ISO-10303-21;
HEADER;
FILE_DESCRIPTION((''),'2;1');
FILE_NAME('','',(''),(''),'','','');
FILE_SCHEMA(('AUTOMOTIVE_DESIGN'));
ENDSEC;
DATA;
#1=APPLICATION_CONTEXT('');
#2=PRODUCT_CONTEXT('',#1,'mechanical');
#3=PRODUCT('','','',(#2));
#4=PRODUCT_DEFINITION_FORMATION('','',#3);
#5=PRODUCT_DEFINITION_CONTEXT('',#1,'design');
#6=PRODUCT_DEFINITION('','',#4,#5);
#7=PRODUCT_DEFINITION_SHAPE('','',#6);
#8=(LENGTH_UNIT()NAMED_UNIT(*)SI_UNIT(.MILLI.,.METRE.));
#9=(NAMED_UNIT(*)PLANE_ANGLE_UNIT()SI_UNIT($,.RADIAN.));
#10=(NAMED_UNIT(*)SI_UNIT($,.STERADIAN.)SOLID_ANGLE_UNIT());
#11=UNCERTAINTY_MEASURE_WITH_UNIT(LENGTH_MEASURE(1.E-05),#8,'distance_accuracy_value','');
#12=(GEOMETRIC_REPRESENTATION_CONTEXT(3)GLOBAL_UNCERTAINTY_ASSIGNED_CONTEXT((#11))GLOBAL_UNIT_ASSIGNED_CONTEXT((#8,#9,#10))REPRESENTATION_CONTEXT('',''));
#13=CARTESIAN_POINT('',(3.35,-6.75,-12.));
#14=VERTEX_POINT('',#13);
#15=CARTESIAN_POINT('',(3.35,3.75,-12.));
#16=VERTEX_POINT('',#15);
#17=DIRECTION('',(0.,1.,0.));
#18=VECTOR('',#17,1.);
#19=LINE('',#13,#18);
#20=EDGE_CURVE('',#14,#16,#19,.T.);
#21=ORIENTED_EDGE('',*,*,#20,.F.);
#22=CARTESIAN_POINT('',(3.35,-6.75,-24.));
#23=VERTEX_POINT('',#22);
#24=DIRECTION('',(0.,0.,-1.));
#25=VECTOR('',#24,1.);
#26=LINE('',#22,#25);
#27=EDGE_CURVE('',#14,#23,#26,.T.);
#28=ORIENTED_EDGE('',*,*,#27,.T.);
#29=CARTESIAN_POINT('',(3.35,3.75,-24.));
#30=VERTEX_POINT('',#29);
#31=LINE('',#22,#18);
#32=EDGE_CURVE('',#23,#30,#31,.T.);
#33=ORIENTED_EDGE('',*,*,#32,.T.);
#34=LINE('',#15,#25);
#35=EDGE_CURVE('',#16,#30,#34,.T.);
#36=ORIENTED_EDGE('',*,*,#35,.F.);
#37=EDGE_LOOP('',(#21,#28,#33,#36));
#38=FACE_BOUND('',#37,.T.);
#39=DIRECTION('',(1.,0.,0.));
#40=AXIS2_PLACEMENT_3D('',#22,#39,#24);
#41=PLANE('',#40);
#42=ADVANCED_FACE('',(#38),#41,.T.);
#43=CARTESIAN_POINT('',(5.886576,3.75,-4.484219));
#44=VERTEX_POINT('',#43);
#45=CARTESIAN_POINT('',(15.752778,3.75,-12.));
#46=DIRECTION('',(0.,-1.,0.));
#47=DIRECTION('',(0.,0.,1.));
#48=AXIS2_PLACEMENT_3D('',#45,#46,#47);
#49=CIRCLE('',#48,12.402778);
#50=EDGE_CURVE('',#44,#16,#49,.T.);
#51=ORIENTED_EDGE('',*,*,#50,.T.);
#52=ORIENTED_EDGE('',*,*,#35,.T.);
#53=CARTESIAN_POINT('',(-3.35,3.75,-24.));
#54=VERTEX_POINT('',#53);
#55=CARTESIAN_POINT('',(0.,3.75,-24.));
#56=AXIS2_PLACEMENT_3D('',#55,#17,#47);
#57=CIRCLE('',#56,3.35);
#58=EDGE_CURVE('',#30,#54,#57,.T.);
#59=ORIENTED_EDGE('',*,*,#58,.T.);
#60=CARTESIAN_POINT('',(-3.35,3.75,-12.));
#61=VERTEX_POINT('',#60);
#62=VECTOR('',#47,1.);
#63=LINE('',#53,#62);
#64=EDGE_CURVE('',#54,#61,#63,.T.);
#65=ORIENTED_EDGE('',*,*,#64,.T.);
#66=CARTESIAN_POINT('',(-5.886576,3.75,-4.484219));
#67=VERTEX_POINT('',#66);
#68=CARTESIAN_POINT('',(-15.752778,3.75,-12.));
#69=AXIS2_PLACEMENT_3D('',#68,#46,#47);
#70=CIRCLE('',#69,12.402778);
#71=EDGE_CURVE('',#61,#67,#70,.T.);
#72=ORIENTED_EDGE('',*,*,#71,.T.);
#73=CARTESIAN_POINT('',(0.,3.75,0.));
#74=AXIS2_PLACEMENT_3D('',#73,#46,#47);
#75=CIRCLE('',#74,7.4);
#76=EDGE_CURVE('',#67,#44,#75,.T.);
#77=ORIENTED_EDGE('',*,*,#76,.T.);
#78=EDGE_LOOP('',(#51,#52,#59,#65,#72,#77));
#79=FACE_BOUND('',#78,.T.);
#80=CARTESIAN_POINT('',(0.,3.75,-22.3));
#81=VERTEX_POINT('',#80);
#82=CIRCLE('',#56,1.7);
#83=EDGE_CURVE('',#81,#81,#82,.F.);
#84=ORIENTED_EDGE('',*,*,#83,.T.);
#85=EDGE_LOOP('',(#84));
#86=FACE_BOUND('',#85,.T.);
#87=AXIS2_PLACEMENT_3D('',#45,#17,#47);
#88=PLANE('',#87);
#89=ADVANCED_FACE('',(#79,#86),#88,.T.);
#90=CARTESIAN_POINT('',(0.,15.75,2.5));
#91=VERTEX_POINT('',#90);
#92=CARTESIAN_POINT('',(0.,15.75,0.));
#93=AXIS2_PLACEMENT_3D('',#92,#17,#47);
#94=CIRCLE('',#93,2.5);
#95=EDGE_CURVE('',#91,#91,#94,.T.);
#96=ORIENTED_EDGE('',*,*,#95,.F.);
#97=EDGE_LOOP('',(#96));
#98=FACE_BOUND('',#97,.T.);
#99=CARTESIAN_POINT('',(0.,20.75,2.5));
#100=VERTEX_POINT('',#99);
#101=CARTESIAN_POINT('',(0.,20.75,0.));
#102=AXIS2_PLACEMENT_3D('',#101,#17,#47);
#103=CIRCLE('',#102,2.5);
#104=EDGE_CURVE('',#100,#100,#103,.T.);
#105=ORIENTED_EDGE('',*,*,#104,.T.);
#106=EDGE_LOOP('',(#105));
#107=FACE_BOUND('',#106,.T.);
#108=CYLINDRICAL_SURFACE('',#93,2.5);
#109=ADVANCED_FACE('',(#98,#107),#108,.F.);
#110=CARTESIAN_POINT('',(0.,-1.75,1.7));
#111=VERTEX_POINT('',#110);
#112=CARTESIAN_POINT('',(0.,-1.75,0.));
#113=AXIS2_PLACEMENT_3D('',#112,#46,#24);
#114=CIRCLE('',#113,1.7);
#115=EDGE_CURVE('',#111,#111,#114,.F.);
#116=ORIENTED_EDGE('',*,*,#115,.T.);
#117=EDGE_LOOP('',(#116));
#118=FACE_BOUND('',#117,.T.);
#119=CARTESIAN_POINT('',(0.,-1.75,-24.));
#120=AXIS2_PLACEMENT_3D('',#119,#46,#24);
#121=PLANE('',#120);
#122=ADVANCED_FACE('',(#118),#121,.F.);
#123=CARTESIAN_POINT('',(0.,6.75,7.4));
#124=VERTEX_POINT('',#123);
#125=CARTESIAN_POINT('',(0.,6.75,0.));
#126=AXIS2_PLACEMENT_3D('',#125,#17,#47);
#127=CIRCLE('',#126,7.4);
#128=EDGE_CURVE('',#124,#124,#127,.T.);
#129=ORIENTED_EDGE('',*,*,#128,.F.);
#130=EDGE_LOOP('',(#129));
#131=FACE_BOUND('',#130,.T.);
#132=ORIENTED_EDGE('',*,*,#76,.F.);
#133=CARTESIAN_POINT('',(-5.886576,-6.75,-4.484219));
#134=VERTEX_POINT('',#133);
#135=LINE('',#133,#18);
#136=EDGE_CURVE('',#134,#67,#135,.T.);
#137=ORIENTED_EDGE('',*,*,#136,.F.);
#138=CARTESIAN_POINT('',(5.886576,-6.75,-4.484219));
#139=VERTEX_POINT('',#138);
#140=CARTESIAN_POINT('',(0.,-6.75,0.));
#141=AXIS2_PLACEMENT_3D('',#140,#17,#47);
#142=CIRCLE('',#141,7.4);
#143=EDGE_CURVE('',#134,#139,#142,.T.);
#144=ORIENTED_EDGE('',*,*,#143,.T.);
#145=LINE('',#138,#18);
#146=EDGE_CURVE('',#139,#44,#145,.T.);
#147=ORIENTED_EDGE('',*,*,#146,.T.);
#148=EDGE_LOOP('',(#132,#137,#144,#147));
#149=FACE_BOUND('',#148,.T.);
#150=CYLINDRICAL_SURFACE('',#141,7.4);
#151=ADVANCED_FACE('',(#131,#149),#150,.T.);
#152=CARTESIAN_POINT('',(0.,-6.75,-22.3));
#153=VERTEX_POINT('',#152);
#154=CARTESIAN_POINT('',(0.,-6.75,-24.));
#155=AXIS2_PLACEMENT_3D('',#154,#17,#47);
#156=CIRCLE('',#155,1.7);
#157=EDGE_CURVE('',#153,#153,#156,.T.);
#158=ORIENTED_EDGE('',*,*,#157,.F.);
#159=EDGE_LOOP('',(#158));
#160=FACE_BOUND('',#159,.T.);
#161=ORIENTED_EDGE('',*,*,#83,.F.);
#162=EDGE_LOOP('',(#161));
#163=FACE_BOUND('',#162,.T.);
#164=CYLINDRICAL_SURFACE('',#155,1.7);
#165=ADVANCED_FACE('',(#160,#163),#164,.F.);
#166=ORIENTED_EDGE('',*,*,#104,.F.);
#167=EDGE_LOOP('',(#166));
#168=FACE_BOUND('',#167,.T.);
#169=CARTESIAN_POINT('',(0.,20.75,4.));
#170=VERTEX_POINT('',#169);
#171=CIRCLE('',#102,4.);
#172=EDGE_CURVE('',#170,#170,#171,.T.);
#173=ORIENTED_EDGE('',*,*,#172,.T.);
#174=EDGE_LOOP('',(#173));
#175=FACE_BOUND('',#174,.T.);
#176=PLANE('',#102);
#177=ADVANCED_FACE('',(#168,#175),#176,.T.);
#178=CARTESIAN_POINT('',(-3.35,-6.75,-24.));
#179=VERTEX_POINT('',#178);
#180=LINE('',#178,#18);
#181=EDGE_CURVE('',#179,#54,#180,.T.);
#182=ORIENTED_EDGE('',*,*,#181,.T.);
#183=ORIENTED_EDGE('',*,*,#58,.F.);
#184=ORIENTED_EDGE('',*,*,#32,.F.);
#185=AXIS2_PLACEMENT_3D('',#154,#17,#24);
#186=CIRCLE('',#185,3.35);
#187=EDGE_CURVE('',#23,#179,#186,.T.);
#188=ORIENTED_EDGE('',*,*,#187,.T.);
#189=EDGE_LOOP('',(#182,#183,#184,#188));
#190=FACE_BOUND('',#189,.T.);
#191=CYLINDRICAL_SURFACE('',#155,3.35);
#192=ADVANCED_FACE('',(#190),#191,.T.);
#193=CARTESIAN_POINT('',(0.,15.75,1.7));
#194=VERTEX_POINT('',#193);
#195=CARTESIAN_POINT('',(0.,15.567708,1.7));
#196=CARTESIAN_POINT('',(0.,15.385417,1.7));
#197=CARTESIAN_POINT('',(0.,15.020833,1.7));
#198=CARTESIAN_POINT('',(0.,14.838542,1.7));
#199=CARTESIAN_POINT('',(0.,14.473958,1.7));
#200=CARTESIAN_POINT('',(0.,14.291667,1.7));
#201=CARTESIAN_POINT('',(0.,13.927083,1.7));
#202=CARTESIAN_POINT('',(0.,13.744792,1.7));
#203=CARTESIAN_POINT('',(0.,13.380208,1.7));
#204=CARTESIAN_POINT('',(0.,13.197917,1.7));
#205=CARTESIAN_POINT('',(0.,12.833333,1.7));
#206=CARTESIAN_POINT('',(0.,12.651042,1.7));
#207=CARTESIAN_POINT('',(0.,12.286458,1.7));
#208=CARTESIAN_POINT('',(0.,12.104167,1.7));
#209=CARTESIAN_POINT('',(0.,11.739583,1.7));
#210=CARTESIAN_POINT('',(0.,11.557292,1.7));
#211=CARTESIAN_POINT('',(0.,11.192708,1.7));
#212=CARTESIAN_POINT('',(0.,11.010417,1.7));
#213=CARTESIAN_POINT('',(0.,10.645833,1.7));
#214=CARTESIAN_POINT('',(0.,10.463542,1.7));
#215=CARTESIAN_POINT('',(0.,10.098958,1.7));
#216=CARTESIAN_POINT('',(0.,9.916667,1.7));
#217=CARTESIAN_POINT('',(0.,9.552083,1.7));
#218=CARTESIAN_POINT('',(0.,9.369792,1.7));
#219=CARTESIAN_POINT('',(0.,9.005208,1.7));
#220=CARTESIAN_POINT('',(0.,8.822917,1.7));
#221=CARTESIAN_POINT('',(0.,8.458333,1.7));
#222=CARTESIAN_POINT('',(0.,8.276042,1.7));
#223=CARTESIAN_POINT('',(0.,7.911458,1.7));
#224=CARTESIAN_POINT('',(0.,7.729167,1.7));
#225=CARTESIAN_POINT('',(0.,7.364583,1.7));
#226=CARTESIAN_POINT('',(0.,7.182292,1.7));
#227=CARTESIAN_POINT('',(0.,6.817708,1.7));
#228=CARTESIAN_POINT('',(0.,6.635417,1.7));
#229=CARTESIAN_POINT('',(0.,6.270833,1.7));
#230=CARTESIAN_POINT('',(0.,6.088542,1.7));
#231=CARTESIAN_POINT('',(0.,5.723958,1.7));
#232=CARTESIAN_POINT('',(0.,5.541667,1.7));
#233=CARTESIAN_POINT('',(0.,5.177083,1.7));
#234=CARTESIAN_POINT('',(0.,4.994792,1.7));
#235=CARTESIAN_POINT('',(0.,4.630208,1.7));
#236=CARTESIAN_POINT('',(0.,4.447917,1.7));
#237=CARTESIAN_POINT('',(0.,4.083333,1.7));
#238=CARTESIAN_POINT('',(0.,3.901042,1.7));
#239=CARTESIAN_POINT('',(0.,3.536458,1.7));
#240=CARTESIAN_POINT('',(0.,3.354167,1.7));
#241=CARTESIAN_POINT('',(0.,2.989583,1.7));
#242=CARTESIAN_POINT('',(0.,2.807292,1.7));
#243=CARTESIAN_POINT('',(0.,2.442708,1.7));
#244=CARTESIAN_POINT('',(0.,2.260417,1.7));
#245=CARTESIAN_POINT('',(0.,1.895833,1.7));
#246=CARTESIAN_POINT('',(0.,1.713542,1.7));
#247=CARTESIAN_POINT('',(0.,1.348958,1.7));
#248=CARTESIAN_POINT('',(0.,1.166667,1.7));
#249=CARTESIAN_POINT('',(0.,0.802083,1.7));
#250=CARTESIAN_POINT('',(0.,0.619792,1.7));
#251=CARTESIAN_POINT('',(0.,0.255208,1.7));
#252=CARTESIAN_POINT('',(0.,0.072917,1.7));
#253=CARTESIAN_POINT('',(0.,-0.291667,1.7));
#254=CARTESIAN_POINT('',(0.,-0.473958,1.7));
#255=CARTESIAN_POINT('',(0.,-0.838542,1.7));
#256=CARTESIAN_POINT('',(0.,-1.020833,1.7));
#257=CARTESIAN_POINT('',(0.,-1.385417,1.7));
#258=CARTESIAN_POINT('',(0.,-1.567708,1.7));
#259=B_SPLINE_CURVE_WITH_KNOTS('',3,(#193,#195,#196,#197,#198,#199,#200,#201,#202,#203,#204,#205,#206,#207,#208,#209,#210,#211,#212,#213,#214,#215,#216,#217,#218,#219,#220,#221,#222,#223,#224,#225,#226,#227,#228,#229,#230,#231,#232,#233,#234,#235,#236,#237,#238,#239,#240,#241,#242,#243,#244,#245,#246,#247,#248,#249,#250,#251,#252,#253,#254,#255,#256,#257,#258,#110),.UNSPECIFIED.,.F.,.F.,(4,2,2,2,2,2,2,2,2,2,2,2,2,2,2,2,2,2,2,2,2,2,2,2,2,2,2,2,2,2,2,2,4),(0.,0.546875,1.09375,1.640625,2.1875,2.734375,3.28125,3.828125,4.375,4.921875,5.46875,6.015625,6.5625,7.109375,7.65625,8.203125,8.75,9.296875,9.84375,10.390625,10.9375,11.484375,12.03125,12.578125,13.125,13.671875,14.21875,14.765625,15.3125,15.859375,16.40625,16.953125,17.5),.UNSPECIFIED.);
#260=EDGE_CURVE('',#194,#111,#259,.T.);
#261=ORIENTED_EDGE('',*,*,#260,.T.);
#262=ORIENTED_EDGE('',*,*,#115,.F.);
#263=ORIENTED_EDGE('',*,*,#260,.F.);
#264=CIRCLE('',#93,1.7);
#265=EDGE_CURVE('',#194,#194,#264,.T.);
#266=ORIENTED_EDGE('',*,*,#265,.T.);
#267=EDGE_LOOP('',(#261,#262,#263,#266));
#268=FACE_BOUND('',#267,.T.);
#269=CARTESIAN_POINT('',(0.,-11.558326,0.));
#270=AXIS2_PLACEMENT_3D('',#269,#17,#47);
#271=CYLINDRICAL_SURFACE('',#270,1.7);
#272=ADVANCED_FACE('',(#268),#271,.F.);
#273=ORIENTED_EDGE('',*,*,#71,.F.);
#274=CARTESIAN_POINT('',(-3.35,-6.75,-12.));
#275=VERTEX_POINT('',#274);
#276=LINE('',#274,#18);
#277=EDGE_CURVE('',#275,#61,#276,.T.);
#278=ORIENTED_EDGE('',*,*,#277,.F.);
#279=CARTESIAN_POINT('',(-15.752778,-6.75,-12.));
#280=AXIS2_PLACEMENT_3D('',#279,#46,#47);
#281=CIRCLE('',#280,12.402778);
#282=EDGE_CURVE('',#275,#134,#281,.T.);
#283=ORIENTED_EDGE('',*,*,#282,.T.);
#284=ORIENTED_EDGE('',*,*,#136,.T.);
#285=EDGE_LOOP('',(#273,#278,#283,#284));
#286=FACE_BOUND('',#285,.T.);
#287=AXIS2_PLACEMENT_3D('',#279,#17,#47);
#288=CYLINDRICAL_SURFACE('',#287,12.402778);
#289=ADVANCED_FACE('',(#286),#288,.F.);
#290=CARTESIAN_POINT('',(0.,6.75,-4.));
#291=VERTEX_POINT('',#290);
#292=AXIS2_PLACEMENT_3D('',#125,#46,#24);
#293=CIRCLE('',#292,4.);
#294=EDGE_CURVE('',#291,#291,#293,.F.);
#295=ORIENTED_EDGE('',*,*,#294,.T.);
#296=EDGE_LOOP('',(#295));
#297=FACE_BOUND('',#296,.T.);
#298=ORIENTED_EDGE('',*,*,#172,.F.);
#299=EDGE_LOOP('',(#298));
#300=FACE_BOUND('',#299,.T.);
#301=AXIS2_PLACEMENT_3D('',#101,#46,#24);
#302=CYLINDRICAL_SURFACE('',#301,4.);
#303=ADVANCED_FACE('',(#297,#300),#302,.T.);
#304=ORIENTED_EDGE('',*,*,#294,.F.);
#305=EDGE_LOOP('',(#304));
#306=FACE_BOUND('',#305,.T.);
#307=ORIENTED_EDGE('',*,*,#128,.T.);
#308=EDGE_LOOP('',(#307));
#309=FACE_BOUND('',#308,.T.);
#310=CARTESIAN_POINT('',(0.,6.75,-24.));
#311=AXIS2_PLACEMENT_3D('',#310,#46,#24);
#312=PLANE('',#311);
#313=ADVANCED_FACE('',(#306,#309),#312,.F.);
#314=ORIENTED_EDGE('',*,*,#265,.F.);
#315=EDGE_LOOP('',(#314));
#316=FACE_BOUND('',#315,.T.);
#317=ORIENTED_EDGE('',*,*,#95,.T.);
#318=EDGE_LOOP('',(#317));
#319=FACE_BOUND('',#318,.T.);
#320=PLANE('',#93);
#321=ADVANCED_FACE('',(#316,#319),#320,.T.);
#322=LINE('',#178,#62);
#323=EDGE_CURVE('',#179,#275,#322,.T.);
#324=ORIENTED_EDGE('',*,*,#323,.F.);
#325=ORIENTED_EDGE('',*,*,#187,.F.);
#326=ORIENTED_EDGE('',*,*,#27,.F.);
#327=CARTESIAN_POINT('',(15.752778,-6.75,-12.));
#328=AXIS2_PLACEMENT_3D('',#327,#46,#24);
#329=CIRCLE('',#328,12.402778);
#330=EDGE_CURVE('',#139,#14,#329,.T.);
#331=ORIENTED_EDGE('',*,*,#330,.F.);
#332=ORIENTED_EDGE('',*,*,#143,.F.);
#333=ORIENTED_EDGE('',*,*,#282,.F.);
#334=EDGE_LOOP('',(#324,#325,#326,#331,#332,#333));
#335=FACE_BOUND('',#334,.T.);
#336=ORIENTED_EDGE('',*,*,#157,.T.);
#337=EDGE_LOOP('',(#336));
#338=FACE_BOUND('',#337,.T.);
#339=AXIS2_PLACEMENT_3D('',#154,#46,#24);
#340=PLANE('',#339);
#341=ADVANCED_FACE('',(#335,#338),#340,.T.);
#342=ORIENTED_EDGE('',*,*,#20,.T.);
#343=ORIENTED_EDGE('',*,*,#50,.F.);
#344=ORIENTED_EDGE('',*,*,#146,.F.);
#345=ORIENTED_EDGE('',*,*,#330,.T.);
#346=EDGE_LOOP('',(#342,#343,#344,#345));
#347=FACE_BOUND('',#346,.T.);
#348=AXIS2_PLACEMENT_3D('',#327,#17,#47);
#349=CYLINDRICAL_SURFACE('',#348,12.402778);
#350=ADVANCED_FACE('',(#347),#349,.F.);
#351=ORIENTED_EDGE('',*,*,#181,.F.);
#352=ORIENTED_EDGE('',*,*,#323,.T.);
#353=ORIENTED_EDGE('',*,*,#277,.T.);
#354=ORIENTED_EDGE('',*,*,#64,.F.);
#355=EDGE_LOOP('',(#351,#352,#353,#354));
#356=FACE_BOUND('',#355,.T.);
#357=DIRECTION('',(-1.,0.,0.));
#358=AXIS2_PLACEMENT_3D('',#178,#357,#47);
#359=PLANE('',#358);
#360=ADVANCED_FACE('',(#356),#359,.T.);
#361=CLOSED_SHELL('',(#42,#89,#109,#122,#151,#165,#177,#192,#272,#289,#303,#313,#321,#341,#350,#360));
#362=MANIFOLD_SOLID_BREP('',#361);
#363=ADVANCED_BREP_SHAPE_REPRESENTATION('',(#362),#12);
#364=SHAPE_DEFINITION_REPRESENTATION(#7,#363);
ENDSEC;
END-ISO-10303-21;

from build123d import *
from build123d.topology import SkipClean

# Parameters (mm, degrees)
BOSS_EXTRUDE1_DEPTH      = 6.75
BOSS_EXTRUDE1_DEPTH_BACK = 6.75
SKETCH1_R                = 1.7
SKETCH2_R                = 4
BOSS_EXTRUDE2_DEPTH      = 14
SKETCH3_R                = 2.5
CUT_EXTRUDE1_DEPTH       = 5
SKETCH4_R                = 1.7
CUT_EXTRUDE2_DEPTH       = 17.5
CUT_EXTRUDE4_START       = -3
CUT_EXTRUDE4_DEPTH       = 3


with BuildPart() as part:
    # Sketch1 → Boss-Extrude1 (new, two sides: drawn at the far end of the back side and taken through both)
    with BuildSketch(Plane(origin=(0, 0, 0), x_dir=(1, 0, 0), z_dir=(0, 1, 0)).offset(-BOSS_EXTRUDE1_DEPTH_BACK)):
        with BuildLine():
            Line((-3.35, 24), (-3.35, 12))
            ThreePointArc((-3.35, 12), (-4.001241595, 8.033856538), (-5.886575957, 4.484219386))
            ThreePointArc((-5.886575957, 4.484219386), (0, -7.4), (5.886575957, 4.484219386))
            ThreePointArc((5.886575957, 4.484219386), (4.001241595, 8.033856538), (3.35, 12))
            Line((3.35, 12), (3.35, 24))
            ThreePointArc((3.35, 24), (0, 27.35), (-3.35, 24))
        make_face()
        with Locations(Location((0, 24, 0), (0, 0, 270))):
            Circle(SKETCH1_R, mode=Mode.SUBTRACT)
    extrude(amount=BOSS_EXTRUDE1_DEPTH + BOSS_EXTRUDE1_DEPTH_BACK)

    # Sketch2 → Boss-Extrude2 (add)
    with BuildSketch(Plane(origin=(0, 6.75, 0), x_dir=(1, 0, 0), z_dir=(0, 1, 0))):
        with Locations(Location((0, 0, 0), (0, 0, 90))):
            Circle(SKETCH2_R)
    extrude(amount=BOSS_EXTRUDE2_DEPTH)

    # Sketch3 → Cut-Extrude1 (cut)
    with BuildSketch(Plane(origin=(0, 20.75, 0), x_dir=(1, 0, 0), z_dir=(0, 1, 0))):
        with Locations(Location((0, 0, 0), (0, 0, 270))):
            Circle(SKETCH3_R)
    extrude(amount=-CUT_EXTRUDE1_DEPTH, mode=Mode.SUBTRACT)

    # Sketch4 → Cut-Extrude2 (cut)
    with BuildSketch(Plane(origin=(0, 15.75, 0), x_dir=(1, 0, 0), z_dir=(0, 1, 0))):
        with Locations(Location((0, 0, 0), (0, 0, 270))):
            Circle(SKETCH4_R)
    extrude(amount=-CUT_EXTRUDE2_DEPTH, mode=Mode.SUBTRACT)

    # Sketch5 → Cut-Extrude4 (cut)
    with SkipClean():  # the faces are left unmerged after this step: merging them gives an invalid solid
        with BuildSketch(Plane(origin=(0, 6.75, 0), x_dir=(1, 0, 0), z_dir=(0, 1, 0)).offset(CUT_EXTRUDE4_START)):
            with BuildLine():
                Line((3.35, 12), (3.35, 24))
                ThreePointArc((3.35, 24), (0, 27.35), (-3.35, 24))
                Line((-3.35, 24), (-3.35, 12))
                ThreePointArc((-3.35, 12), (-4.001241595, 8.033856538), (-5.886575957, 4.484219386))
                ThreePointArc((-5.886575957, 4.484219386), (0, 7.4), (5.886575957, 4.484219386))
                ThreePointArc((5.886575957, 4.484219386), (4.001241595, 8.033856538), (3.35, 12))
            make_face()
        extrude(amount=CUT_EXTRUDE4_DEPTH, mode=Mode.SUBTRACT)


solid = part.part
